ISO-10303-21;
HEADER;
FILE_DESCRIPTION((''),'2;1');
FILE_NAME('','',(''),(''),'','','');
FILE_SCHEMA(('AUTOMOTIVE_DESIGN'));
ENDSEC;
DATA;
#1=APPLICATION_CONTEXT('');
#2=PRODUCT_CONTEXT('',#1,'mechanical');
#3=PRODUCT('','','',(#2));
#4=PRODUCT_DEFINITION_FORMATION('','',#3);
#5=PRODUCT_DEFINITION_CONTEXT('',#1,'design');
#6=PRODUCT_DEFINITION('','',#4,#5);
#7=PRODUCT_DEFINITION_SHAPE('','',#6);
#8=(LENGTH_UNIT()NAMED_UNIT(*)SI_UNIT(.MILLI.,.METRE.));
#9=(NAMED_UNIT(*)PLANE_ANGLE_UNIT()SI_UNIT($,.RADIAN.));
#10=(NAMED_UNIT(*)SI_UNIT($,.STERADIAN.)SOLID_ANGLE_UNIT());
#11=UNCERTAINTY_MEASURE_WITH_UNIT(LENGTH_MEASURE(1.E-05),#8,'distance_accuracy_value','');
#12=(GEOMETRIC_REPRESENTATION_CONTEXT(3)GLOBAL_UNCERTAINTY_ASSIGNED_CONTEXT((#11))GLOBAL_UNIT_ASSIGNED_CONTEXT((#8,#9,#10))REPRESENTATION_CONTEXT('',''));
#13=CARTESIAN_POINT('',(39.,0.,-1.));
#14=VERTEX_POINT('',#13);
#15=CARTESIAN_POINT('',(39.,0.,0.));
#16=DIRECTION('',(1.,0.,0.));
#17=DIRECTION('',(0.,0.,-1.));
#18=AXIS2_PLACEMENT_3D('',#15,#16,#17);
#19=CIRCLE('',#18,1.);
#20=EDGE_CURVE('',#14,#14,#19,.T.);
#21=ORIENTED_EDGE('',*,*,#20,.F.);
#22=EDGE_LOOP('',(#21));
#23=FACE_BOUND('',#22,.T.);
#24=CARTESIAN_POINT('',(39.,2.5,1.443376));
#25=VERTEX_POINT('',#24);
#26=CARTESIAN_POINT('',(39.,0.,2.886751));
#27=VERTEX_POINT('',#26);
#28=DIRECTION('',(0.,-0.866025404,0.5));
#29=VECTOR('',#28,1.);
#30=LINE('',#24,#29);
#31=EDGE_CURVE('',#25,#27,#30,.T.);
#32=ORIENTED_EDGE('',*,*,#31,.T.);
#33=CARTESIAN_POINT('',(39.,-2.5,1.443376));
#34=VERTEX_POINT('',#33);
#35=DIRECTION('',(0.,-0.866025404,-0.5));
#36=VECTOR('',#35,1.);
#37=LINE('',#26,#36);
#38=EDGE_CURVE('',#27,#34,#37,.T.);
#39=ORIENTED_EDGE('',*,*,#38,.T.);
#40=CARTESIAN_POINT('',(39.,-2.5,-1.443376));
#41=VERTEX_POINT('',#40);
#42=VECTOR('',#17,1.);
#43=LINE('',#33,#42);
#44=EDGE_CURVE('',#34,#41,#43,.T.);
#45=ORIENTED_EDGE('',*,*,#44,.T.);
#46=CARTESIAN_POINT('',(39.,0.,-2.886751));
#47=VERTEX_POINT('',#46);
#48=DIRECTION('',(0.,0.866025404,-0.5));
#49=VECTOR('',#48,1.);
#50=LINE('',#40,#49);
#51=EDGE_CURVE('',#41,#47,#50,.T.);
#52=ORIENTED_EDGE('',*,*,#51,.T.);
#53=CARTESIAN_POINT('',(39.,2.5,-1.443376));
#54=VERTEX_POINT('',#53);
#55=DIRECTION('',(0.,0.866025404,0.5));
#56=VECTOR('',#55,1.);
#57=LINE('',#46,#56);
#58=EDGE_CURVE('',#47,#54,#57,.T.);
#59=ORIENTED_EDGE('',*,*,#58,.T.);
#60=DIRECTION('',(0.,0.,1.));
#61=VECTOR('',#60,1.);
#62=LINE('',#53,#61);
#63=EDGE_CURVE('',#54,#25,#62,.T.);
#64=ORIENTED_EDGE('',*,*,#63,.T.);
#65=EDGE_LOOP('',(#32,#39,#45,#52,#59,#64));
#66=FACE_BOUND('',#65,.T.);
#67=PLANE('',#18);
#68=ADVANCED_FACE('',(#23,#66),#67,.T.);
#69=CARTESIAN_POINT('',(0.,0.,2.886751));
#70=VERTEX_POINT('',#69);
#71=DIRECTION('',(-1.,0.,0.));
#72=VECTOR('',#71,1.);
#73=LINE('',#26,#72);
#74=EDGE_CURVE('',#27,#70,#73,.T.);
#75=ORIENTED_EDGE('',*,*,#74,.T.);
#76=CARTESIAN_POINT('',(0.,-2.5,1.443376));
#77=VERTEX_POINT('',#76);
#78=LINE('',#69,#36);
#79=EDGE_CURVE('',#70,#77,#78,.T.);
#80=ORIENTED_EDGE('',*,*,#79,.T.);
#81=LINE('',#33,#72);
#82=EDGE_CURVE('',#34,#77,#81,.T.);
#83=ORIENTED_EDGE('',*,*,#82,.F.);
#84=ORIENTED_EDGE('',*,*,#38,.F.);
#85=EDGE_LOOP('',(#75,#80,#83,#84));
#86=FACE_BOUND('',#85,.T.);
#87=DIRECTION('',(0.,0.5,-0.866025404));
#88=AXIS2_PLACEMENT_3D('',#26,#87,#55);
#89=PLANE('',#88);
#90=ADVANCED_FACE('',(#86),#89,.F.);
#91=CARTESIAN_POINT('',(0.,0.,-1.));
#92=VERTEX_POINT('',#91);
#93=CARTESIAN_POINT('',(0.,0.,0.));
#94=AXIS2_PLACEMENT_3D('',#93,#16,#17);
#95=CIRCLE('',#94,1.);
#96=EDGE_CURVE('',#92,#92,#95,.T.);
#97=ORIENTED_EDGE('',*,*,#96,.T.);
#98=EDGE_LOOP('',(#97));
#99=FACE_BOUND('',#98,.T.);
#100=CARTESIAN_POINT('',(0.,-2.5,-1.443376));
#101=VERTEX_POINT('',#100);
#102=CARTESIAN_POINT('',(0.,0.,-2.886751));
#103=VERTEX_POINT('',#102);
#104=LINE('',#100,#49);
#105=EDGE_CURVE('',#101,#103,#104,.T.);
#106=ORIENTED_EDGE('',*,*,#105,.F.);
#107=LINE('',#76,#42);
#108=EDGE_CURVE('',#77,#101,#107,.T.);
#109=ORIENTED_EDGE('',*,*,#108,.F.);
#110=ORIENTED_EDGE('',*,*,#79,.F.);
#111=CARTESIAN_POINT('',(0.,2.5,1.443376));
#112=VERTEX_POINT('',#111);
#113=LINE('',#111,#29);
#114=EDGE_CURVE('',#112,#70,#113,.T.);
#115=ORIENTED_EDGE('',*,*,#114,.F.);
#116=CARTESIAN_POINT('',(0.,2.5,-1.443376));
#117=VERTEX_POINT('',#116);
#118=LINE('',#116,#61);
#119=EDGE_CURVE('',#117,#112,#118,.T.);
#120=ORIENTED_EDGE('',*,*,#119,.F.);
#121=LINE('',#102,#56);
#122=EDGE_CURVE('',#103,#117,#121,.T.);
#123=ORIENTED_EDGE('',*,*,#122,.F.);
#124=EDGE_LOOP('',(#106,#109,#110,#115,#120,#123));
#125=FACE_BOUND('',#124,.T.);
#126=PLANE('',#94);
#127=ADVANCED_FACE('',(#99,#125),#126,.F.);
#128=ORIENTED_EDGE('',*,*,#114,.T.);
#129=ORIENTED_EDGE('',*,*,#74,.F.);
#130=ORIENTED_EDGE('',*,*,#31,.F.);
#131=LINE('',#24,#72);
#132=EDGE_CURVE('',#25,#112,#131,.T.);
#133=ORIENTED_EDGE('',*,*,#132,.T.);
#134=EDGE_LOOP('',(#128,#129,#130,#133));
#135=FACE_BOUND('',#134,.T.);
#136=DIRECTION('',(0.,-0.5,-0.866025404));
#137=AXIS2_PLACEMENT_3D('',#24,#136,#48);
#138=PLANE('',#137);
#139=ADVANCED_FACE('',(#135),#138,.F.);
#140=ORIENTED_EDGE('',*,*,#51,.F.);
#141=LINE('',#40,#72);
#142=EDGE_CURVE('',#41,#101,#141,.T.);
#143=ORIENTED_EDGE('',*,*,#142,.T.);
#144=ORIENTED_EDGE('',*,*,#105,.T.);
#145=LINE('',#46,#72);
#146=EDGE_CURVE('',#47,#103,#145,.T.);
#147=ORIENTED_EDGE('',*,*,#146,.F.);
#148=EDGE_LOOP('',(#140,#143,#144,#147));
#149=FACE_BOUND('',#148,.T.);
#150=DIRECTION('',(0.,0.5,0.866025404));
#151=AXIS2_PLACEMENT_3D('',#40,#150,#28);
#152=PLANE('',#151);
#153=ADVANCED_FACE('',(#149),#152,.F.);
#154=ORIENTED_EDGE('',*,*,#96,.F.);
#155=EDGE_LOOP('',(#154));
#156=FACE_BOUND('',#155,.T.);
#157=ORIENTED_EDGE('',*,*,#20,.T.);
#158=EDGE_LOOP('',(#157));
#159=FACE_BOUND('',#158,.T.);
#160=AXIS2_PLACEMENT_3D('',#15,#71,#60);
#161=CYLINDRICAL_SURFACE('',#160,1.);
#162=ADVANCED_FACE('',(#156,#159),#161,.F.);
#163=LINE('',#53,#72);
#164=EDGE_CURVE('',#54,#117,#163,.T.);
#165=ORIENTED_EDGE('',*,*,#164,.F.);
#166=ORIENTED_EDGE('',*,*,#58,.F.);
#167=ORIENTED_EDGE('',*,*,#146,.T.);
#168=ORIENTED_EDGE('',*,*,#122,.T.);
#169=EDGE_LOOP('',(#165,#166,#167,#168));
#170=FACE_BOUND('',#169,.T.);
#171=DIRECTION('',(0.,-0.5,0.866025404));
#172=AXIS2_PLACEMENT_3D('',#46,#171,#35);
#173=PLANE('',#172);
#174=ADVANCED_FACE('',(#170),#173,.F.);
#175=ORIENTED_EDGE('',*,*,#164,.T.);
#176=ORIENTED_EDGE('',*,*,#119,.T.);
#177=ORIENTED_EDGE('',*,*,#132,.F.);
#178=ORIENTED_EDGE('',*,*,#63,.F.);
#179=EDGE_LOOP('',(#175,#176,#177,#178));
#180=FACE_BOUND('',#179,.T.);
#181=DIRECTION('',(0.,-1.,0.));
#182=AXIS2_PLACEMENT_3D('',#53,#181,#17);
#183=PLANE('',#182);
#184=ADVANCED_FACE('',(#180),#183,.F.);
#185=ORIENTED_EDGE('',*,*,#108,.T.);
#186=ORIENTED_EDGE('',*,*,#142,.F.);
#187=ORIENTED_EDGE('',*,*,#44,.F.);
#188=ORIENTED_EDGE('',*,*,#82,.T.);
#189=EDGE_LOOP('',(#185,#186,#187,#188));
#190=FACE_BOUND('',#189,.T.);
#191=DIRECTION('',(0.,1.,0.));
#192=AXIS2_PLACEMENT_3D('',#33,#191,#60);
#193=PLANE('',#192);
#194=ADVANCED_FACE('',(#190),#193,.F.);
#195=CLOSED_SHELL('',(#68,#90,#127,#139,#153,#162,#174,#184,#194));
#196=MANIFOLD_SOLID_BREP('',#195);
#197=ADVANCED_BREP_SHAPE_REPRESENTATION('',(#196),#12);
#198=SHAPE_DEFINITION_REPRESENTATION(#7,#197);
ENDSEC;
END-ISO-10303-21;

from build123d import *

# Parameters (mm, degrees)
SKETCH_1_R      = 1
EXTRUDE_1_DEPTH = 39


with BuildPart() as part:
    # 草图1 → 凸台-拉伸1 (new body)
    with BuildSketch(Plane(origin=(0, 0, 0), x_dir=(0, 0, -1), z_dir=(1, 0, 0))):
        Polygon((2.886751346, 0), (1.443375673, 2.5), (-1.443375673, 2.5), (-2.886751346, 0), (-1.443375673, -2.5), (1.443375673, -2.5), align=None)
        Circle(SKETCH_1_R, mode=Mode.SUBTRACT)
    extrude(amount=EXTRUDE_1_DEPTH)


solid = part.part
